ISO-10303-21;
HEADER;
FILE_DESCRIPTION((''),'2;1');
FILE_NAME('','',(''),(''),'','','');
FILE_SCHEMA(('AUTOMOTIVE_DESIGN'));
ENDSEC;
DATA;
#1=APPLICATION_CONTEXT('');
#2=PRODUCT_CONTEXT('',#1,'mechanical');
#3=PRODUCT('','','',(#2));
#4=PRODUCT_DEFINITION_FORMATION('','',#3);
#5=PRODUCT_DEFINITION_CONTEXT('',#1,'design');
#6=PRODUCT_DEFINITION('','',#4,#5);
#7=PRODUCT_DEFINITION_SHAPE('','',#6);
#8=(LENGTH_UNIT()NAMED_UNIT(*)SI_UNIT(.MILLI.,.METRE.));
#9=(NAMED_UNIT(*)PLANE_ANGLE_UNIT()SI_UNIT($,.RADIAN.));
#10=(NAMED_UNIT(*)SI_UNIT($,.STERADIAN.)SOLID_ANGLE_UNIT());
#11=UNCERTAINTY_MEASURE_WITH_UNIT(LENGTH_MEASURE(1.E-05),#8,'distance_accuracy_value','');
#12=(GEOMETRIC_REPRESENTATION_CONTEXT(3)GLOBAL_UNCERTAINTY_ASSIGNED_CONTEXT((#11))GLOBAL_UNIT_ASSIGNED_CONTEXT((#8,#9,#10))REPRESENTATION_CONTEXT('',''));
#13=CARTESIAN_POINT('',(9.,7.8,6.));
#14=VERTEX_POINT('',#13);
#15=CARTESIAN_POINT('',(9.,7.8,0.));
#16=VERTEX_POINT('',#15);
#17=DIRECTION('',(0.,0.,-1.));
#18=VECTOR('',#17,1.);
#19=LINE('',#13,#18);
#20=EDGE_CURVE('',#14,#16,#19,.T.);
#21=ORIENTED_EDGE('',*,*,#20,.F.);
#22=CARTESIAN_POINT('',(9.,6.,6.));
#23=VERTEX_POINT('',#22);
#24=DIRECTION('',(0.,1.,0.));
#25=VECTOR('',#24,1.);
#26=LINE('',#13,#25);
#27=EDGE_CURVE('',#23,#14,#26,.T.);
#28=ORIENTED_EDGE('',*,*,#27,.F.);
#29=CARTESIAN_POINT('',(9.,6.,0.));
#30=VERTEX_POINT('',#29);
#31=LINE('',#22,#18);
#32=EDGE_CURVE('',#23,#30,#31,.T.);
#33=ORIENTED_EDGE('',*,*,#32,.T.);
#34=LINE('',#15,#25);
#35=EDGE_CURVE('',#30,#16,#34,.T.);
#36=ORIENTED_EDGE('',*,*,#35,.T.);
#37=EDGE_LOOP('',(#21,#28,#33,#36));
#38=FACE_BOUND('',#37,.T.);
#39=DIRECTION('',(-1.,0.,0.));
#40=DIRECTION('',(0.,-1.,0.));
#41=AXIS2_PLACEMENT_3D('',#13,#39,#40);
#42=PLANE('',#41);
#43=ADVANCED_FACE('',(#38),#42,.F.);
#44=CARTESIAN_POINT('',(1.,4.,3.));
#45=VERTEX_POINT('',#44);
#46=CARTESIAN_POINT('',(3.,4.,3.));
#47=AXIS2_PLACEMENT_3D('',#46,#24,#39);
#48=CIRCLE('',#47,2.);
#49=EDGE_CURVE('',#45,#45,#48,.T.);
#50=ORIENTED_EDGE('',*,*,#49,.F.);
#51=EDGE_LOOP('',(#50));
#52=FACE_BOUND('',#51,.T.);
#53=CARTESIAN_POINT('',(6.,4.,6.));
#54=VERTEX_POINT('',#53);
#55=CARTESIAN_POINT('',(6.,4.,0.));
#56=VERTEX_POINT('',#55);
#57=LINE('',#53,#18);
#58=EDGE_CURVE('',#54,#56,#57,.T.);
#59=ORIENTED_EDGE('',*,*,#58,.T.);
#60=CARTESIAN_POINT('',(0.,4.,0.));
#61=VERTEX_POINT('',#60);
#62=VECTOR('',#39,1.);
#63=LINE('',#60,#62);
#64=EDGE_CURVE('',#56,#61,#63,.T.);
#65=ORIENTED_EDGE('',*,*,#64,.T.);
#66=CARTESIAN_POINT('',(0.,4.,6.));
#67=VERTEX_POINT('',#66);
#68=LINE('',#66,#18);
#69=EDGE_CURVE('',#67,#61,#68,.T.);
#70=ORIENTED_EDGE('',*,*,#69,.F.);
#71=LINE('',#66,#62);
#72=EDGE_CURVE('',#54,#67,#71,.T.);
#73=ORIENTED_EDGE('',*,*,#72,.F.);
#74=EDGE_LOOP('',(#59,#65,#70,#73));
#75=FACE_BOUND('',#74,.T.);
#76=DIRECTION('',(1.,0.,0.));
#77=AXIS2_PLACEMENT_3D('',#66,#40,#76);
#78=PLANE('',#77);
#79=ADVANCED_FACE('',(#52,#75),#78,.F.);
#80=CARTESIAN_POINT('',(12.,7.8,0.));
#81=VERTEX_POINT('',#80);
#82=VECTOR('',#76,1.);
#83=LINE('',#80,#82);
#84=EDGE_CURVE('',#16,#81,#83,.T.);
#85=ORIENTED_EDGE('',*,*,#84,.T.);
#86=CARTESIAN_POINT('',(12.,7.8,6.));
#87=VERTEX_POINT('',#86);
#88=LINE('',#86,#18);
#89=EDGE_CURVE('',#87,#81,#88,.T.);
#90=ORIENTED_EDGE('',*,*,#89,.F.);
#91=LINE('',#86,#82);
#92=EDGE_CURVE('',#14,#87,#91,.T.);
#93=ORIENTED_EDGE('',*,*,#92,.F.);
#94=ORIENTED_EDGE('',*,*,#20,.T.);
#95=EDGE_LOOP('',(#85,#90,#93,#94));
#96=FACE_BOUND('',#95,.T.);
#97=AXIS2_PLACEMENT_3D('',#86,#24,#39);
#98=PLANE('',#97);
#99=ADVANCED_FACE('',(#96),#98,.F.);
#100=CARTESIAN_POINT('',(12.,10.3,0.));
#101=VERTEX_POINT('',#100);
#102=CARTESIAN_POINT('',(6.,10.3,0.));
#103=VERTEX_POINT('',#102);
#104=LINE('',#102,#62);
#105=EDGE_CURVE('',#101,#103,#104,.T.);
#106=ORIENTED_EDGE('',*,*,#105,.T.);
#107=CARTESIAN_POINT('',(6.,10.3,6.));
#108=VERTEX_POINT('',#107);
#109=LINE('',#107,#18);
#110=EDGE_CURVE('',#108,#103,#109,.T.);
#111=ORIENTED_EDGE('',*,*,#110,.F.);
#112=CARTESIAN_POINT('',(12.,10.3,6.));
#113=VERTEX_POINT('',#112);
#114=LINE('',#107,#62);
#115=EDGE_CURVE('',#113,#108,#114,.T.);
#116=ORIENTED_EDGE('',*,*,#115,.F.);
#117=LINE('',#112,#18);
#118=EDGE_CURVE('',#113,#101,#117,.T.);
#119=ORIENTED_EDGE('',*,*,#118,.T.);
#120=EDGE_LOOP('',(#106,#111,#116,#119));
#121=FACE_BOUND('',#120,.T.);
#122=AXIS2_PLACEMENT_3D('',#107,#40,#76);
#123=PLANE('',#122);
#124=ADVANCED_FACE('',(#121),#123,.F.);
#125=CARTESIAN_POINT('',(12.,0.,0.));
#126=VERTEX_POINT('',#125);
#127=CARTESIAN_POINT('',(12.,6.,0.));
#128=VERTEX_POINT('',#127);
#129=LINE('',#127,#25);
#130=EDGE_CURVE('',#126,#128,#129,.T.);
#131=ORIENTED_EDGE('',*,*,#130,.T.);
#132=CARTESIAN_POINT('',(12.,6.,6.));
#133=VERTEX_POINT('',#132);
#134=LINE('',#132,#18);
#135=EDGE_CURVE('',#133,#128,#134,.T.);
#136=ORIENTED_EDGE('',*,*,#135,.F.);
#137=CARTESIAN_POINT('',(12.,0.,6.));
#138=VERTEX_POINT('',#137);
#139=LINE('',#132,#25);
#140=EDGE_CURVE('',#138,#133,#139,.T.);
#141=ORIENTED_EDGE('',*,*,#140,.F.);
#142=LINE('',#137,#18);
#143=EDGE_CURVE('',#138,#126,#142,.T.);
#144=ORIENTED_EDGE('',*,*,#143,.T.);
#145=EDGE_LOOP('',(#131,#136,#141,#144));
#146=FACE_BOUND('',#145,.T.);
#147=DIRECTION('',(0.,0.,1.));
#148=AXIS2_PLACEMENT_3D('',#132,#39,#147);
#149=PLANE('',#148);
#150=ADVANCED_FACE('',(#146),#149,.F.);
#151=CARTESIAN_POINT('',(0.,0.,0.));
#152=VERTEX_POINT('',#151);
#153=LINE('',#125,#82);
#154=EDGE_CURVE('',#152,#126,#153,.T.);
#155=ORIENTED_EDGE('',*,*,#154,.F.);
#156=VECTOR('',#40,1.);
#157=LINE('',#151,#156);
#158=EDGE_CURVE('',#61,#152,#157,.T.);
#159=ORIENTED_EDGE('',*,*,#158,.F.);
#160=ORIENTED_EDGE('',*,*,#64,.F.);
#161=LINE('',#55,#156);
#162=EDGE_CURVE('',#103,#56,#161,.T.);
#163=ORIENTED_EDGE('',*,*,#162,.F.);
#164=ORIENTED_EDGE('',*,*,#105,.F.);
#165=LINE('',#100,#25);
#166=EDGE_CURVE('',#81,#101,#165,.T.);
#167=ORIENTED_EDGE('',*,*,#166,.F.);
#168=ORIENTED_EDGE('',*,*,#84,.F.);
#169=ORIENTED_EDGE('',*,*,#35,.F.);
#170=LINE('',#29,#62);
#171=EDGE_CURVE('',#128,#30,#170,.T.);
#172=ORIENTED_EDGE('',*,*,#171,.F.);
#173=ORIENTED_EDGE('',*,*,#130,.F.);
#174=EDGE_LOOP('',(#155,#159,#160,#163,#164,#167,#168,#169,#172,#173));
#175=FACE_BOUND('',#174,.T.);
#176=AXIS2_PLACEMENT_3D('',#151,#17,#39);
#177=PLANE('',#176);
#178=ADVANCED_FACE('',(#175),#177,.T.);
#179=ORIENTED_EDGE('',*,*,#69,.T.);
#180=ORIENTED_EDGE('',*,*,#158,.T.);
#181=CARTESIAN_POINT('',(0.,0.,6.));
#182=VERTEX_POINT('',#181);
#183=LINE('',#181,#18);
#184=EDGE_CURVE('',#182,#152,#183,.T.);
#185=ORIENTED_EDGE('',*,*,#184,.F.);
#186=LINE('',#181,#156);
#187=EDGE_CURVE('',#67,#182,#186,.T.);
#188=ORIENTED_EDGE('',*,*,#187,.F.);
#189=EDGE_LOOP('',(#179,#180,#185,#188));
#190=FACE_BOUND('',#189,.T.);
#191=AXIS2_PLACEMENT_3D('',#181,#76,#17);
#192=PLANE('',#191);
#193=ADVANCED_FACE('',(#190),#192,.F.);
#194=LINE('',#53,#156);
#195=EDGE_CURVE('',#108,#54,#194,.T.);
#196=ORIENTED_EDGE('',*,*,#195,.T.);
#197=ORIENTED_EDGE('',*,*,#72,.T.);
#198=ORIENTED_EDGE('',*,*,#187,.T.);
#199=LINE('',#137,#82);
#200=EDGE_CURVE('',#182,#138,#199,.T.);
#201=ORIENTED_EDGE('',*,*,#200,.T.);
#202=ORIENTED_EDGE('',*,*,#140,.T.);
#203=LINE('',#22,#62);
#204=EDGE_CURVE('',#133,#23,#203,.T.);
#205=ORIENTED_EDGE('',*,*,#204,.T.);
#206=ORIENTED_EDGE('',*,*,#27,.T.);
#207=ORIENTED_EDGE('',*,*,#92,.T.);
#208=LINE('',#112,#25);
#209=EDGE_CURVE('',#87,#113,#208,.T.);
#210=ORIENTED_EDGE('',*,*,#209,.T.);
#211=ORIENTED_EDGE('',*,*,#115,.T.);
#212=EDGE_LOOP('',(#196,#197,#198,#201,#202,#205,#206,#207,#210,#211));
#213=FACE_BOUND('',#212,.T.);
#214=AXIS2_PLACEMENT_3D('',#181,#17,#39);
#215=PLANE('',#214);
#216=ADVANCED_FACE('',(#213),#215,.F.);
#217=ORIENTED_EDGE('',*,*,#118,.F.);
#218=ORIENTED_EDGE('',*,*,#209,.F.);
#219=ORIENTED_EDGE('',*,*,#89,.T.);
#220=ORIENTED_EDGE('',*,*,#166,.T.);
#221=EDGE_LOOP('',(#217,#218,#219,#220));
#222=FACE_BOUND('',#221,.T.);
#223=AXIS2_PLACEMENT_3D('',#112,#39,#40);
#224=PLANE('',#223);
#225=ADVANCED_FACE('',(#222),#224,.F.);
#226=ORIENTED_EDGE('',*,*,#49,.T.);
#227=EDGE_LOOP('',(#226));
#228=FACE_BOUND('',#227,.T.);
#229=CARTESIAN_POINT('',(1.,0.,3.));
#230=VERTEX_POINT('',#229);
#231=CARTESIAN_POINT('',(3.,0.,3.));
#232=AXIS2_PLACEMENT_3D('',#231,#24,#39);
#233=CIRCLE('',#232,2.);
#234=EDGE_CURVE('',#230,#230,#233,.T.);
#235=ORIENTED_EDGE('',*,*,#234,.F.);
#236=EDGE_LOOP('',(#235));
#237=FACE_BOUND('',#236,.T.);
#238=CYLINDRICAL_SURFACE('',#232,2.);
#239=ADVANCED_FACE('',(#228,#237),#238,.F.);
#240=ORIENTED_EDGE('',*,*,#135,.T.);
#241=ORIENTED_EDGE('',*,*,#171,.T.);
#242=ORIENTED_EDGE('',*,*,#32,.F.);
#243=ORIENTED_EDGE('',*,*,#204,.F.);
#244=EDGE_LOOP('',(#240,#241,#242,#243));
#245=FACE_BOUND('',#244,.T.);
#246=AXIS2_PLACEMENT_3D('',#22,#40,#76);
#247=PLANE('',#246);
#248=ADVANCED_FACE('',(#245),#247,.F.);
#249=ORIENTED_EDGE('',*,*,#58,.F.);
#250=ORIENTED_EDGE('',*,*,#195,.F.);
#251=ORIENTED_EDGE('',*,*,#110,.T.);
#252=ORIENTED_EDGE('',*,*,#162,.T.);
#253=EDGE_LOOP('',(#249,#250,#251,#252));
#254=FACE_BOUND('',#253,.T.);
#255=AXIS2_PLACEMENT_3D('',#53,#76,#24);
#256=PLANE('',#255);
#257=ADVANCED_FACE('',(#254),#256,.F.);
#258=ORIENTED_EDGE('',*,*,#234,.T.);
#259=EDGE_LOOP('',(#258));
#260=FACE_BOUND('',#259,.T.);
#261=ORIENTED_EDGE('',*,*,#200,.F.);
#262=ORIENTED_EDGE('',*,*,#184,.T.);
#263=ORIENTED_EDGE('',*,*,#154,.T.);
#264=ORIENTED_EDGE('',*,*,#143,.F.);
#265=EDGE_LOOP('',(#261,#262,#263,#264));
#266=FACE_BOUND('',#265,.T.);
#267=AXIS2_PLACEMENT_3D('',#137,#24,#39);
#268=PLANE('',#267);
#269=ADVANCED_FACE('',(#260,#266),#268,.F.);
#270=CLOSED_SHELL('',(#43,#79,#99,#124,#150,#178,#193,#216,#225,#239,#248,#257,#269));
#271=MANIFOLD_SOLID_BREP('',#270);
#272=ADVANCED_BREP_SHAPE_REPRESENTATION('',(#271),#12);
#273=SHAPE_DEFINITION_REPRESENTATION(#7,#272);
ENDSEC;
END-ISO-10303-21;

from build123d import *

# Parameters (mm, degrees)
EXTRUDE_1_DEPTH     = 6
SKETCH_2_R          = 2
CUT_EXTRUDE_1_DEPTH = 5


with BuildPart() as part:
    # Эскиз1 → Бобышка-Вытянуть1 (new body)
    with BuildSketch(Plane.XY):
        Polygon((0, 0), (0, 4), (6, 4), (6, 10.3), (12, 10.3), (12, 7.8), (9, 7.8), (9, 6), (12, 6), (12, 0), align=None)
    extrude(amount=EXTRUDE_1_DEPTH)

    # Эскиз2 → Вырез-Вытянуть1 (cut, through all)
    with BuildSketch(Plane(origin=(0, 4, 0), x_dir=(1, 0, 0), z_dir=(0, 1, 0))):
        with Locations((3, -3)):
            Circle(SKETCH_2_R)
    extrude(amount=-CUT_EXTRUDE_1_DEPTH, mode=Mode.SUBTRACT)


solid = part.part
